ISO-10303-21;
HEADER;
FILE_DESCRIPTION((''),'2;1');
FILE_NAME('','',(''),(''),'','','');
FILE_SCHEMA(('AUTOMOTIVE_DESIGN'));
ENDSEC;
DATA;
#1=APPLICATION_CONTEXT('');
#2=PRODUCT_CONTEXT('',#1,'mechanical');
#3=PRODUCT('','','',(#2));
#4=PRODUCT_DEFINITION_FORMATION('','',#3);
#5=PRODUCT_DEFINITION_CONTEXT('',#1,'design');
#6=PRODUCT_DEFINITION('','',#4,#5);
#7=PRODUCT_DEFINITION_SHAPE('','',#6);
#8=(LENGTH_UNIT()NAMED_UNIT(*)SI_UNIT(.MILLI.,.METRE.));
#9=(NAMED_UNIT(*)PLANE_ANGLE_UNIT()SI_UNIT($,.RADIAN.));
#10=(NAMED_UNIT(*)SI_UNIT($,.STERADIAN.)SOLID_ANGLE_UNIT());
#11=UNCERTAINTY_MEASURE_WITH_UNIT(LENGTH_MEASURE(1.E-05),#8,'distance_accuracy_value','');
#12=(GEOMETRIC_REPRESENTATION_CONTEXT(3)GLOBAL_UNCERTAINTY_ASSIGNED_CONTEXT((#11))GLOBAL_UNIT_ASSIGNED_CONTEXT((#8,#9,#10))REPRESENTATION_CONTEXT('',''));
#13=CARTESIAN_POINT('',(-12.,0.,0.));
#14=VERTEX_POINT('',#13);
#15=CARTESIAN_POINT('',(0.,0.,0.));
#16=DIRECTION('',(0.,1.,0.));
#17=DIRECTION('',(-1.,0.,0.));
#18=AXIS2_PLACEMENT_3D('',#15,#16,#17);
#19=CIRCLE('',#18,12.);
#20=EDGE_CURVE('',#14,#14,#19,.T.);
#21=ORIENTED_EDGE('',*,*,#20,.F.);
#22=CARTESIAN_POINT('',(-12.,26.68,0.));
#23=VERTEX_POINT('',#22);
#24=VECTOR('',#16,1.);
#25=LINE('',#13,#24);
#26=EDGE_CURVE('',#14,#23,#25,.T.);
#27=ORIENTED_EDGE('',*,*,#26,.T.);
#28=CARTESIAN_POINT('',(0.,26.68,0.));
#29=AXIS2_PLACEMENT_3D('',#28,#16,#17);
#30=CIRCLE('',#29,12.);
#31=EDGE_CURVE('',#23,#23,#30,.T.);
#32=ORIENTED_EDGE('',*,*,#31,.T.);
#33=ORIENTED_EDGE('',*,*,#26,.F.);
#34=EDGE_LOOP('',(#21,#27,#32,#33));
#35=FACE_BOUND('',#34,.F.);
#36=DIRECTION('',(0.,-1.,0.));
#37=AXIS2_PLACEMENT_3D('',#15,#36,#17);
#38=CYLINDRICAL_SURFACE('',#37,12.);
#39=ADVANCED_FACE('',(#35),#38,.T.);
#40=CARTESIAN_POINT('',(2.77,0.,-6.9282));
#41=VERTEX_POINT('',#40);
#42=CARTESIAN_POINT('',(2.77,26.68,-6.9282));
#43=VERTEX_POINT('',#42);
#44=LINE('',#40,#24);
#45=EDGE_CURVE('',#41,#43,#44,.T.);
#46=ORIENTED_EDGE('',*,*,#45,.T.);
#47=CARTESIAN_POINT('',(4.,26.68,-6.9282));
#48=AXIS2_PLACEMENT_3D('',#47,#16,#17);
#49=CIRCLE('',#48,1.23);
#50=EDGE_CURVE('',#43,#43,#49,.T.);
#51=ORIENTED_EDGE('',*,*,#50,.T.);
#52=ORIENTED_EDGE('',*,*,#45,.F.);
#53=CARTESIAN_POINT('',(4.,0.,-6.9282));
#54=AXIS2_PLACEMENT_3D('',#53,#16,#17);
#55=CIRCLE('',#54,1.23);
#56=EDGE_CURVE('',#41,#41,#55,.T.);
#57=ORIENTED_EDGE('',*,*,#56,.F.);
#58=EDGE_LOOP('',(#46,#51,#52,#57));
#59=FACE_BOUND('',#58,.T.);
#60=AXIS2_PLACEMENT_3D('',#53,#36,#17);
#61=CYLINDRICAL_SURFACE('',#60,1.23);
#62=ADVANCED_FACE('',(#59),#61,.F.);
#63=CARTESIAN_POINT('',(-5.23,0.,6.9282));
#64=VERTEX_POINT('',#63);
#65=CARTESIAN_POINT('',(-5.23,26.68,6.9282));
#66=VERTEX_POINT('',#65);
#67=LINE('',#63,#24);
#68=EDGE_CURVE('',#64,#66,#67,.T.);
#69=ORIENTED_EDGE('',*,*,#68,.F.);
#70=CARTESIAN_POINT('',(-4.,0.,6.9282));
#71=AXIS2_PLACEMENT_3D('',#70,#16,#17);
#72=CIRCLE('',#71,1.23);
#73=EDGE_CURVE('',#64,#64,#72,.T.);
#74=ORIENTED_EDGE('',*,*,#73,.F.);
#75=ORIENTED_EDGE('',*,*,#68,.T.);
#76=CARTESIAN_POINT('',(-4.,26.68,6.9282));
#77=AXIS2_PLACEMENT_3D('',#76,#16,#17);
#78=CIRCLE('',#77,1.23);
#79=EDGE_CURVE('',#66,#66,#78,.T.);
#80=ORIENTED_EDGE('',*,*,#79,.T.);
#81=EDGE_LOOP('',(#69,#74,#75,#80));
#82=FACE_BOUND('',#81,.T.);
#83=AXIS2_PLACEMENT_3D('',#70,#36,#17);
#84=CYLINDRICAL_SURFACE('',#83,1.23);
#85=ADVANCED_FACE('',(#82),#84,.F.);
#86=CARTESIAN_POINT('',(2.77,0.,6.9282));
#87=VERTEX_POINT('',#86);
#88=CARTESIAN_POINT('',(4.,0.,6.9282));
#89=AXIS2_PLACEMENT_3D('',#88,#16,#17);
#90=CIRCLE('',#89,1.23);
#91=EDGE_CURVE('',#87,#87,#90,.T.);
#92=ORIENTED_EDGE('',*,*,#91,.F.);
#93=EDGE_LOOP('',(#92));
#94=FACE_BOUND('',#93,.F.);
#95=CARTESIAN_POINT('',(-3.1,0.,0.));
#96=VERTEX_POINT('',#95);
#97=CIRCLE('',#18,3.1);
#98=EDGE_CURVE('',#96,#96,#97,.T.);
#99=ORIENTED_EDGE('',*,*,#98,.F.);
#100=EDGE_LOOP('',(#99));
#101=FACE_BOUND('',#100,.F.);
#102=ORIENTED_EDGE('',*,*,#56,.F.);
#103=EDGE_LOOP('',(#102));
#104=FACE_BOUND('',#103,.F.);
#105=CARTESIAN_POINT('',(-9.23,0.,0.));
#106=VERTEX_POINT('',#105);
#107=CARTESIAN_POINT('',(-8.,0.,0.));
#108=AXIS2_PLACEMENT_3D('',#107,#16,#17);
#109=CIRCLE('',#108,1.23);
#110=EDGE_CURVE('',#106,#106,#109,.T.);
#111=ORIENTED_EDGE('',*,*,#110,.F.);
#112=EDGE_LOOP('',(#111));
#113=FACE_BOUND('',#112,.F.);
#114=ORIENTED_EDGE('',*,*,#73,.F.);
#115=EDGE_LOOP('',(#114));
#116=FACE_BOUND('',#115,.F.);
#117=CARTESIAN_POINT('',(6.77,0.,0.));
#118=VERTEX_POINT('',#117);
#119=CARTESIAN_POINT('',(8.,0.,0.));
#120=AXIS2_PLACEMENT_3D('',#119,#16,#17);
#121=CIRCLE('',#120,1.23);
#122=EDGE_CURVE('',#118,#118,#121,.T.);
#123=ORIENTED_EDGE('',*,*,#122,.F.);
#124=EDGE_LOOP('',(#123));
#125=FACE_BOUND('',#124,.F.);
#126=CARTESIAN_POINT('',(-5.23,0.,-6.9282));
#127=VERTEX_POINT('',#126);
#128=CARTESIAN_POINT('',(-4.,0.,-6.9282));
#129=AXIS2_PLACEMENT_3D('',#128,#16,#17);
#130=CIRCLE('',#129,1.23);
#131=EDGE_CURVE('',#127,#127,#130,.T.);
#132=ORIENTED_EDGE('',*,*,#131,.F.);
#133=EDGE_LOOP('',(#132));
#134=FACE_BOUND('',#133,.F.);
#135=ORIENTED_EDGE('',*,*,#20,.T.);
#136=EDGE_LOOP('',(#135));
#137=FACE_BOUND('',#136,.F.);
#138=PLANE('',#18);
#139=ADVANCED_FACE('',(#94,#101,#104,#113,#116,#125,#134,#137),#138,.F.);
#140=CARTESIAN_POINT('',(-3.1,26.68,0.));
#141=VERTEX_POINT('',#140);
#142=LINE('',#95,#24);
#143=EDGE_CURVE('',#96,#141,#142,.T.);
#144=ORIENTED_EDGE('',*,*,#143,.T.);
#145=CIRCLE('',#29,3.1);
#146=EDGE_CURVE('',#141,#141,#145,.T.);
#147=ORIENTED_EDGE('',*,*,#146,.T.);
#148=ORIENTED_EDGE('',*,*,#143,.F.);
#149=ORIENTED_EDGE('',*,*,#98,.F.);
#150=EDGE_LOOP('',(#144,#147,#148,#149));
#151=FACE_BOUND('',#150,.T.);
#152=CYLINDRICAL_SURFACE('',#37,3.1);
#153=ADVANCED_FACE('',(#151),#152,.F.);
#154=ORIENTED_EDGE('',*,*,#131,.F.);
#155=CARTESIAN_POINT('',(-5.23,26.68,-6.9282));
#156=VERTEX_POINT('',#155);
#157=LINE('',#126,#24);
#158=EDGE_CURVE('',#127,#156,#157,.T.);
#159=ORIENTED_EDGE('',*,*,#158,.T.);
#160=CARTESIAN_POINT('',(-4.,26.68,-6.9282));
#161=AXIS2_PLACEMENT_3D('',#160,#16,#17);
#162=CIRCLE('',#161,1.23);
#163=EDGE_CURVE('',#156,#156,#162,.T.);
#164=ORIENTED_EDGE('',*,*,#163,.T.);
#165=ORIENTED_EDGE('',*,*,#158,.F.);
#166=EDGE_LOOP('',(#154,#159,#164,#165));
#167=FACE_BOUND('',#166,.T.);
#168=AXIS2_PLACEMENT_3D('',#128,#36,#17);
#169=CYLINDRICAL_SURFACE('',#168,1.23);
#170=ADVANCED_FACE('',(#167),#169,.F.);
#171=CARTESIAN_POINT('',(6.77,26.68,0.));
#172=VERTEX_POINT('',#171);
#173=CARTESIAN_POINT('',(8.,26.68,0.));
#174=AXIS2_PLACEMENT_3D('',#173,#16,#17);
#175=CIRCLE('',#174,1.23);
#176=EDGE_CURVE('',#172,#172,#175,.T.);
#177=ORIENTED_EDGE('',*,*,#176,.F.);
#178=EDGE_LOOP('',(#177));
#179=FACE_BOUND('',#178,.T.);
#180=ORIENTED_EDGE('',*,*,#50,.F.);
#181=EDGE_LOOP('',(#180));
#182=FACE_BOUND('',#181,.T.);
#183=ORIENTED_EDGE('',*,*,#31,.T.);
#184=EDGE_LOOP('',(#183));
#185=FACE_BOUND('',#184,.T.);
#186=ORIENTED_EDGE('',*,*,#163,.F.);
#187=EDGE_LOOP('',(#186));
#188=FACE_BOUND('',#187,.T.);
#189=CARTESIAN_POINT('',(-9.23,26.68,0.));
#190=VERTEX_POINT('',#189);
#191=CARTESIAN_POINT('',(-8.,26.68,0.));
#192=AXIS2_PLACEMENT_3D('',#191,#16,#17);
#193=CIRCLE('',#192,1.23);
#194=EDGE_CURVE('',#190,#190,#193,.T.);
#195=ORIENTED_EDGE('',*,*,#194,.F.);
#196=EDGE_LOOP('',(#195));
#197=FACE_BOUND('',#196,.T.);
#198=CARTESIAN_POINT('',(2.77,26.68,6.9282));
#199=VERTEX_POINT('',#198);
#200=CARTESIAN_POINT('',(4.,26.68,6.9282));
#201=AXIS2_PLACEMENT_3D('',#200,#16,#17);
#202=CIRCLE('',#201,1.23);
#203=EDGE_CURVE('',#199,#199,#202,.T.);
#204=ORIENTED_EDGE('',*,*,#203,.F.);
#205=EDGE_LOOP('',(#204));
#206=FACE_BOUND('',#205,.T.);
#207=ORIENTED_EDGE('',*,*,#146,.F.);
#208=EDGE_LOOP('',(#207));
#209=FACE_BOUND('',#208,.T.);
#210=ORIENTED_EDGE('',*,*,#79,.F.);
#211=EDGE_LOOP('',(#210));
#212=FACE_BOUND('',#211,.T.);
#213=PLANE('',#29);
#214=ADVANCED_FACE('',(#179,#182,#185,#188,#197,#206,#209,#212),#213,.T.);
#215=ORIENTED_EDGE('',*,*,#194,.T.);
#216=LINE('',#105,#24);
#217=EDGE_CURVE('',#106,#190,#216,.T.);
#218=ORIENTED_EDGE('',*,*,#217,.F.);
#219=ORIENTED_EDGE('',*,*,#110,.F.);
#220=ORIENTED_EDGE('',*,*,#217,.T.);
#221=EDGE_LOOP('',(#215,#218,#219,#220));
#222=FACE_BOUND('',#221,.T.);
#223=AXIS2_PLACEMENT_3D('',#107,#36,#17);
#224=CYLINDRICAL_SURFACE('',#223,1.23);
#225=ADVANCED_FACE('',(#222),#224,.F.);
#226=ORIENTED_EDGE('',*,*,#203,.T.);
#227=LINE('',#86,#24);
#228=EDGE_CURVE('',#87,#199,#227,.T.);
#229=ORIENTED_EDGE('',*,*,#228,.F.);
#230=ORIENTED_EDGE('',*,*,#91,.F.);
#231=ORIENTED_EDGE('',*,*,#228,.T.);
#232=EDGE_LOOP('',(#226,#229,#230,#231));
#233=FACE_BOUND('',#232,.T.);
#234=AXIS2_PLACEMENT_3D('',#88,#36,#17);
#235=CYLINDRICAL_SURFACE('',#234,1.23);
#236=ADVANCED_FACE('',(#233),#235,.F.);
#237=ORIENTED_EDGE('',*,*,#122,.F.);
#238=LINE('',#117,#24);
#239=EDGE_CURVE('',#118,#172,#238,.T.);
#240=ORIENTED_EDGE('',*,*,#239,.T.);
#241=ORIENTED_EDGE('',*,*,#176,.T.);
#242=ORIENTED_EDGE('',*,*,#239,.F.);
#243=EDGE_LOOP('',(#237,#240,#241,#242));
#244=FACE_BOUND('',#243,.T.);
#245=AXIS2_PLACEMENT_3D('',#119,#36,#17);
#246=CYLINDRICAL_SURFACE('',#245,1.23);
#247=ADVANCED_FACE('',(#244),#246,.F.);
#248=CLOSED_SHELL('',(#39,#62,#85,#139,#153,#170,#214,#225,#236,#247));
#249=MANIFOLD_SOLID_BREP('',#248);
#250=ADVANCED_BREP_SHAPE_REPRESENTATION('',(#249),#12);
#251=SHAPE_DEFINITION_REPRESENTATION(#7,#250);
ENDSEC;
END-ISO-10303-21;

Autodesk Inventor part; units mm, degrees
ref_plane "YZ Plane" through (0, 0, 0) normal (1, 0, 0) x (0, 1, 0)
ref_plane "XZ Plane" through (0, 0, 0) normal (0, 1, 0) x (-1, 0, 0)
ref_plane "XY Plane" through (0, 0, 0) normal (0, 0, 1) x (1, 0, 0)
sketch "Sketch2" plane through (0, 0, 0) normal (0, 1, 0) x (-1, 0, 0)
  circle A0 centre (0, 0) radius 3.1
  circle A1 centre (0, 0) radius 12
  circle A2 centre (8, 0) radius 1.23
  circle A3 centre (4, 6.9282) radius 1.23
  circle A4 centre (-4, 6.9282) radius 1.23
  circle A5 centre (-8, 0) radius 1.23
  circle A6 centre (-4, -6.9282) radius 1.23
  circle A7 centre (4, -6.9282) radius 1.23
  dimension "d12" = 6.2
  dimension "d14" = 24
  dimension "d15" = 2.46
  dimension "d16" = 0
  dimension "d17" = 8
  dimension "d20" = 360
extrude "Extrusion2" add sketch "Sketch2" along normal blind 26.68
properties part number "smallSprocketHolder" material "ABS Plastic"
